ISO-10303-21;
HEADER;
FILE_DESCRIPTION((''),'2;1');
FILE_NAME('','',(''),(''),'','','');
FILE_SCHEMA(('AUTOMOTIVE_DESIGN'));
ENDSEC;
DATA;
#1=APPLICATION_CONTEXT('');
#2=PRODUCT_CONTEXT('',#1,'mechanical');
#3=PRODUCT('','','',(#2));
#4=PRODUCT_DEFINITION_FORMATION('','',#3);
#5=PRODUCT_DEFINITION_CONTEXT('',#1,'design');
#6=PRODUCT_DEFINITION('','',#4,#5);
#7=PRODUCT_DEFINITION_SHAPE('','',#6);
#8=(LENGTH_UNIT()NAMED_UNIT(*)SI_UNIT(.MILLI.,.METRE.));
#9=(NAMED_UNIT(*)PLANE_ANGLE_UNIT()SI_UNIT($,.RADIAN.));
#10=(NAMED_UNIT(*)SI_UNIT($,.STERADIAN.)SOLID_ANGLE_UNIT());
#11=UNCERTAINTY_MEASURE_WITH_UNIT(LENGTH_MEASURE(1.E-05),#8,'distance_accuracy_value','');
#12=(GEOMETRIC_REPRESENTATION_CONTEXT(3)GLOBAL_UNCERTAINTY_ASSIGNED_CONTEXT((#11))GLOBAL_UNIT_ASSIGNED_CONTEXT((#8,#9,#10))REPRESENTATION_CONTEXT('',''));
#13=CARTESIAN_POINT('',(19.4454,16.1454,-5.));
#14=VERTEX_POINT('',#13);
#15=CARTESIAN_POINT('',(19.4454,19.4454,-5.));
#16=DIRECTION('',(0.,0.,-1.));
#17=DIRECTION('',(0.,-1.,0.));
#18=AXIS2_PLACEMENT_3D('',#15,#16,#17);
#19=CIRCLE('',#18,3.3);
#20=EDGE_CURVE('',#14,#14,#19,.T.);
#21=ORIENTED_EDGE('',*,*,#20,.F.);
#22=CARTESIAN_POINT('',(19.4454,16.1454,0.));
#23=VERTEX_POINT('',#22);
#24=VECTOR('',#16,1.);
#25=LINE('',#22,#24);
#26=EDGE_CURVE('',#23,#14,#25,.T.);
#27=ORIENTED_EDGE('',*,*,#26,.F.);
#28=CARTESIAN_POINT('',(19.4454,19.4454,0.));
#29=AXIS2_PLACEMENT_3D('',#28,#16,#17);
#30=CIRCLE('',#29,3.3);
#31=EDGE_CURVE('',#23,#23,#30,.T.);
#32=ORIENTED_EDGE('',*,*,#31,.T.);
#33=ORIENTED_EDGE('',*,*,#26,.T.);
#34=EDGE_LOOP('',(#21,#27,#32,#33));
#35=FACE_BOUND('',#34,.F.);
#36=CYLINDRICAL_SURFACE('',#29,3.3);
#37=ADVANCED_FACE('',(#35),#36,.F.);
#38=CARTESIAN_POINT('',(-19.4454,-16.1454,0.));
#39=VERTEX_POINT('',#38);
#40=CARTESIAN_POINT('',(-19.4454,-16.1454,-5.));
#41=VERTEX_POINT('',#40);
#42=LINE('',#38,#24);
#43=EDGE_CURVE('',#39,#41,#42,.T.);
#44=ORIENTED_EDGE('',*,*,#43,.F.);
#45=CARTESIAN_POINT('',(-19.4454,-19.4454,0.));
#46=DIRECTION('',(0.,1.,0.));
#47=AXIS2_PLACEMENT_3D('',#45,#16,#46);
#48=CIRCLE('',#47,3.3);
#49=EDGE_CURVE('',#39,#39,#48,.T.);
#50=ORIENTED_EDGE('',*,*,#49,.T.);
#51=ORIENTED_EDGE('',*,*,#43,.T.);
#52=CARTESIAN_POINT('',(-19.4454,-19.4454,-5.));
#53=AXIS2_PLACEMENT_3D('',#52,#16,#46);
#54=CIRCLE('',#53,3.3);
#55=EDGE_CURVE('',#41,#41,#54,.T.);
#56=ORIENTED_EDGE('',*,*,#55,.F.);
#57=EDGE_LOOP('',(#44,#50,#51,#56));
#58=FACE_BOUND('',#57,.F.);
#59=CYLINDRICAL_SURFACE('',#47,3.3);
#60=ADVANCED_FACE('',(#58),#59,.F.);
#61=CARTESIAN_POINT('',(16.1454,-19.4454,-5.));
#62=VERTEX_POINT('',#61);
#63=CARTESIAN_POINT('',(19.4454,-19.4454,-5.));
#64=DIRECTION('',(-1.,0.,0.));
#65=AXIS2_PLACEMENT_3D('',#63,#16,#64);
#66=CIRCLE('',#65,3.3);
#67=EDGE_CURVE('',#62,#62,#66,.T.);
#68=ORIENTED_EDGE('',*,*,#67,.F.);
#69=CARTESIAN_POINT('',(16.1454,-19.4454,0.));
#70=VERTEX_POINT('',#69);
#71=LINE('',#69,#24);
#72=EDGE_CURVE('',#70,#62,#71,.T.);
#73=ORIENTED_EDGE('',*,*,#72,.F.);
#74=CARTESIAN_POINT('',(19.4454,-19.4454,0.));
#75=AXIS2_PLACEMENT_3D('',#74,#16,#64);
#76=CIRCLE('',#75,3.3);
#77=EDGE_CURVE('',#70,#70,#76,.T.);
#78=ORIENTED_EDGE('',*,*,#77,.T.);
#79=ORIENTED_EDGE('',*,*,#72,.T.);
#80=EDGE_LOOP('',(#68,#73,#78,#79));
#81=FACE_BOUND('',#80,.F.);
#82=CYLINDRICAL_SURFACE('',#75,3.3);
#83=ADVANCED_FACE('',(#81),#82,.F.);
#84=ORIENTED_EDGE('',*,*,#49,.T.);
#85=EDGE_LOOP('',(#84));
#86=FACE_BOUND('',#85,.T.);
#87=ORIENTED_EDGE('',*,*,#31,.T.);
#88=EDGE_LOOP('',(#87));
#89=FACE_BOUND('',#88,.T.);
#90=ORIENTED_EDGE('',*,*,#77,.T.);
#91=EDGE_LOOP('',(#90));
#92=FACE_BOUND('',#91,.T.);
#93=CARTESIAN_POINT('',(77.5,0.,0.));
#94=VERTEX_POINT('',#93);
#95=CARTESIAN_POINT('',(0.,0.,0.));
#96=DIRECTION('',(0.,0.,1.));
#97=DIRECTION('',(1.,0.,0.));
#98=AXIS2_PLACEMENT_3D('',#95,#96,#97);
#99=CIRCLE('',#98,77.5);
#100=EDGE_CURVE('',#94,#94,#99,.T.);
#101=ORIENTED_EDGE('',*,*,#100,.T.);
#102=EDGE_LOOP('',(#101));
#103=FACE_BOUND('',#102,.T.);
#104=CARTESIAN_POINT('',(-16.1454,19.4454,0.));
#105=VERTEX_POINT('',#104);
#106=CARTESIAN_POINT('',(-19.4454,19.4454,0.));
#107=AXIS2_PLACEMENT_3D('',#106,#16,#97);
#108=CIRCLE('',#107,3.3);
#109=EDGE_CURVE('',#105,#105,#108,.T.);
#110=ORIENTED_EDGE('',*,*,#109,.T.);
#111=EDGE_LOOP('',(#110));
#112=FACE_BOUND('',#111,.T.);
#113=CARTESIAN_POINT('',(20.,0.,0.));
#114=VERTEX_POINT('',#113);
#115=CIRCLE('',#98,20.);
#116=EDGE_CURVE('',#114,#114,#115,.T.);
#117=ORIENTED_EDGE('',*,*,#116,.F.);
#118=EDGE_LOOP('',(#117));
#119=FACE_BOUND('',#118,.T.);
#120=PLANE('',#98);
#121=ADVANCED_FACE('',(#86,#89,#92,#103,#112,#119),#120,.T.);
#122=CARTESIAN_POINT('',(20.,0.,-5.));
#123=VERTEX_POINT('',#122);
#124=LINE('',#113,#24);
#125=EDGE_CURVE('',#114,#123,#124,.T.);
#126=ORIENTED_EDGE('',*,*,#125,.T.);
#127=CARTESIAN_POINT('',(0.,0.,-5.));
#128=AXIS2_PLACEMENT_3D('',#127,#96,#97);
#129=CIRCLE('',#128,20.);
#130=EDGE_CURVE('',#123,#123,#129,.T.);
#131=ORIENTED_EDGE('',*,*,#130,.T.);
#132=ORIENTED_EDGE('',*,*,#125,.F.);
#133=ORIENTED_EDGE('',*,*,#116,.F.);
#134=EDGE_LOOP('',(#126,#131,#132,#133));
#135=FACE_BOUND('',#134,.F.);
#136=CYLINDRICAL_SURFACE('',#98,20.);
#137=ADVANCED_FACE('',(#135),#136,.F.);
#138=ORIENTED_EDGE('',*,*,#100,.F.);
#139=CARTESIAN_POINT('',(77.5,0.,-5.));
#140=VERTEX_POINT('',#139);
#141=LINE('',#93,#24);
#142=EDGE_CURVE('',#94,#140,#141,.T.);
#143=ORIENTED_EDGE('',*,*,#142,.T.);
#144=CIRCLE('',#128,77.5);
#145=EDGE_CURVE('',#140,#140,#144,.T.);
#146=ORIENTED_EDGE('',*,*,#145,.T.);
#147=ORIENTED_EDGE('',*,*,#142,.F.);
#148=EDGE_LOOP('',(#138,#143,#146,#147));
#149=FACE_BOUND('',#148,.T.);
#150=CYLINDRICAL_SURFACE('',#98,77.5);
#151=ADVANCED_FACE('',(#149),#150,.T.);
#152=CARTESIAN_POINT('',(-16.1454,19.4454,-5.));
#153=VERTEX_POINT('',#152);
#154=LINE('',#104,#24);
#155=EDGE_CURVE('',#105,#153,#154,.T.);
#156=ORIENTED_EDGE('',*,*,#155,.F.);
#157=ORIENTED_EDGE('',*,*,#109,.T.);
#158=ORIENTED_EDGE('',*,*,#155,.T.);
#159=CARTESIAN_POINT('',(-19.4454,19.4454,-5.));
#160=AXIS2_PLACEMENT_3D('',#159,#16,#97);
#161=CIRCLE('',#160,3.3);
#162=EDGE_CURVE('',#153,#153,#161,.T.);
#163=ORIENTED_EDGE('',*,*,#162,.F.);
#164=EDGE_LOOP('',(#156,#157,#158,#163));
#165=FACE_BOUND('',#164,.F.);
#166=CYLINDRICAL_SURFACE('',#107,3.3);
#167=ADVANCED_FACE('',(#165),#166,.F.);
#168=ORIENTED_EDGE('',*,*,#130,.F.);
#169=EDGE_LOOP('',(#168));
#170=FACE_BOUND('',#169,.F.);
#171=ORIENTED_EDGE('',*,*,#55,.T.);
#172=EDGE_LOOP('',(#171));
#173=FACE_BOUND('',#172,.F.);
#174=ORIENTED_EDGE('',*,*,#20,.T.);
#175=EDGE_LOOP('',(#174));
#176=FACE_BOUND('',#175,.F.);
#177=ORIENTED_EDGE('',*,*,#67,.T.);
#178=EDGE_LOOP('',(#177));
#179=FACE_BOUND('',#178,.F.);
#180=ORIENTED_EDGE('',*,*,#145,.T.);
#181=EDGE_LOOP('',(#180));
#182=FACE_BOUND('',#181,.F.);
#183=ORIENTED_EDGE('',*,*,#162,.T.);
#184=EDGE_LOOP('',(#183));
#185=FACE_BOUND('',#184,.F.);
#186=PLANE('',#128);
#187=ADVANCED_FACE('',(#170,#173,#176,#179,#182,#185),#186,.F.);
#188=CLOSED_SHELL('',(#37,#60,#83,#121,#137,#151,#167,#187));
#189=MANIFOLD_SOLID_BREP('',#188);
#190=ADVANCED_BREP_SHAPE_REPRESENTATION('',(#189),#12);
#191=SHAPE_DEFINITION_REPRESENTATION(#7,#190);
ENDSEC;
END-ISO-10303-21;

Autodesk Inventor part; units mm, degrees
ref_plane "YZ Plane" through (0, 0, 0) normal (1, 0, 0) x (0, 1, 0)
ref_plane "XY Plane" through (0, 0, 0) normal (0, 0, 1) x (1, 0, 0)
sketch "Esquisse1" plane through (0, 0, 0) normal (0, 0, 1) x (1, 0, 0)
  circle A0 centre (0, 0) radius 77.5
  circle A1 centre (0, 0) radius 20
  dimension "d0" = 155
  dimension "d1" = 40
extrude "Extrusion1" add sketch "Esquisse1" against normal blind 5
sketch "Esquisse2" plane through (0, 0, 0) normal (0, 0, 1) x (1, 0, 0)
  circle A0 centre (0, 0) radius 27.5
  line L0 (0, 0) -> (35.9549, 35.9549)
  line L1 (-108.5, 0) -> (108.5, 0) projected
  point P0 (19.4454, 19.4454)
  dimension "d11" = 55
  dimension "d15" = 45
hole "Perçage1" at (19.4454, 19.4454, 0) direction (0, 0, -1) diameter 6.6 end through all
pattern_circular "Réseau circulaire1" count 4 over 360 about axis through (0, 0, 0) along (0, 0, -1) of "Perçage1"
properties part number "Flasque"
